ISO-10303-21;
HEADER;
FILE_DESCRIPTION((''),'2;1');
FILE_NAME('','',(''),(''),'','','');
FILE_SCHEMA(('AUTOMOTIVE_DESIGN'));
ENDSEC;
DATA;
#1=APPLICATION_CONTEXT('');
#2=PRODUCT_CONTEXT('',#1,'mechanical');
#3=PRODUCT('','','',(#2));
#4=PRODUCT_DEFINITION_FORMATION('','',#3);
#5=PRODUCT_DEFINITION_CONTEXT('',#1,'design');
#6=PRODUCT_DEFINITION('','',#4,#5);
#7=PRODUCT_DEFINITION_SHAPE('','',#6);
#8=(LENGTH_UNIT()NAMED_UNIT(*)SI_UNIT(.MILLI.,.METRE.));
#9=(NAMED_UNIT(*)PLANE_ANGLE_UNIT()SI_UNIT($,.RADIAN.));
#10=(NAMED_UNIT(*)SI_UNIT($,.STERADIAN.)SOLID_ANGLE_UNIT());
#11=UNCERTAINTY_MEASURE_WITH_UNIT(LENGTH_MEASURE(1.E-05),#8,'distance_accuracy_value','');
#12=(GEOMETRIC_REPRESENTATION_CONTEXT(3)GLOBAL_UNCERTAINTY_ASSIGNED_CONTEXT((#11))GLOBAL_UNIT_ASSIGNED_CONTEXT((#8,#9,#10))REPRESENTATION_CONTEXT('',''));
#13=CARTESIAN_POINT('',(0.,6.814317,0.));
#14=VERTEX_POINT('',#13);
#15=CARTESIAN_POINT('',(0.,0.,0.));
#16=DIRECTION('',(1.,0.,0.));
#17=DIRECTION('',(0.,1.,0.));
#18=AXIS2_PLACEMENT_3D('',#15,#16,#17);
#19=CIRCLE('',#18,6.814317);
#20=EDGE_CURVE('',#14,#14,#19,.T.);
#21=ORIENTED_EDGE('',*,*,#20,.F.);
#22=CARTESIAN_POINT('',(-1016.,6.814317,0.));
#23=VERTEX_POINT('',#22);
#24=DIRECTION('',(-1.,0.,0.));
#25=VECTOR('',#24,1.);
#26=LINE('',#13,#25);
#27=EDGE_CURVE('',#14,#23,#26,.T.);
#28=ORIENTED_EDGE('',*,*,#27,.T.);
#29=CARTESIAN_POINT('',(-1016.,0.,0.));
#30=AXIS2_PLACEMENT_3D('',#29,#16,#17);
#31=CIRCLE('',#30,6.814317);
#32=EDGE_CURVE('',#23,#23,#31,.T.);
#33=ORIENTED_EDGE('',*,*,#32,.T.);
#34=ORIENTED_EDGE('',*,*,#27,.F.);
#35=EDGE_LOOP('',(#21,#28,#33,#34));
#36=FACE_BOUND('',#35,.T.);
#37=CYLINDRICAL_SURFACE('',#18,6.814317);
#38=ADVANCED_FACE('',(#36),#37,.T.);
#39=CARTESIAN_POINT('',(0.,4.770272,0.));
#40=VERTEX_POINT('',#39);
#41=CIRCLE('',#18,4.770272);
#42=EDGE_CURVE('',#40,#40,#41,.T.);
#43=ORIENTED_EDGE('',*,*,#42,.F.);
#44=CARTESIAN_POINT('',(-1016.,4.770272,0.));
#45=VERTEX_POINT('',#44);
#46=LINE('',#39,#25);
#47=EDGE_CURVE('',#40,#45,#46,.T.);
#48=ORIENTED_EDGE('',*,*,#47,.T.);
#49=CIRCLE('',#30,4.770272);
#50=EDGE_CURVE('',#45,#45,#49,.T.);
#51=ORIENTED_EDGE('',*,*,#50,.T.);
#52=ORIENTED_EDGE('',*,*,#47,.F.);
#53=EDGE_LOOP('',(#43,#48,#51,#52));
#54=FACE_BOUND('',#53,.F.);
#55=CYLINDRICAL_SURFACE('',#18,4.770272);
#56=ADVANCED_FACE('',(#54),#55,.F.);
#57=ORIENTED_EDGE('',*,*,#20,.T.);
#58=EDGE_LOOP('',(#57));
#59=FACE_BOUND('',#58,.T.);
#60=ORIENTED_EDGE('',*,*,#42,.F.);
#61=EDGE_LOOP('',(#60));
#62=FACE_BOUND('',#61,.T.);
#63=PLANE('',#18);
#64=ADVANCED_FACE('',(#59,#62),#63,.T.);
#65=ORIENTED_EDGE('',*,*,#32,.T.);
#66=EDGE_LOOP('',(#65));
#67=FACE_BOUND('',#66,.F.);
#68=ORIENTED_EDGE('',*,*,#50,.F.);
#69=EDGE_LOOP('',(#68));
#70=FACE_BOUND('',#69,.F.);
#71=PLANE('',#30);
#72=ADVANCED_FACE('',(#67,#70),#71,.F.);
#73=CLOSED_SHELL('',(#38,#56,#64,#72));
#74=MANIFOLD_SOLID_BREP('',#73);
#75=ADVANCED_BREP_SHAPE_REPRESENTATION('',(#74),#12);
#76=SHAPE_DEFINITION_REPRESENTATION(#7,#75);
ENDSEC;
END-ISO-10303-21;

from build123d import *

# Parameters (mm, degrees)
F0_R     = 6.814317
F1_DEPTH = 1016
F2_R     = 4.770272
F3_DEPTH = 1016.001


with BuildPart() as f1:
    # F0 (on Right) → F1 (new body)
    with BuildSketch(Plane.YZ):
        Circle(F0_R)
    extrude(amount=-F1_DEPTH)

    # F2 (on face) → F3 (cut, through all)
    with BuildSketch(Plane.YZ):
        Circle(F2_R)
    extrude(amount=-F3_DEPTH, mode=Mode.SUBTRACT)


solid = f1.part
